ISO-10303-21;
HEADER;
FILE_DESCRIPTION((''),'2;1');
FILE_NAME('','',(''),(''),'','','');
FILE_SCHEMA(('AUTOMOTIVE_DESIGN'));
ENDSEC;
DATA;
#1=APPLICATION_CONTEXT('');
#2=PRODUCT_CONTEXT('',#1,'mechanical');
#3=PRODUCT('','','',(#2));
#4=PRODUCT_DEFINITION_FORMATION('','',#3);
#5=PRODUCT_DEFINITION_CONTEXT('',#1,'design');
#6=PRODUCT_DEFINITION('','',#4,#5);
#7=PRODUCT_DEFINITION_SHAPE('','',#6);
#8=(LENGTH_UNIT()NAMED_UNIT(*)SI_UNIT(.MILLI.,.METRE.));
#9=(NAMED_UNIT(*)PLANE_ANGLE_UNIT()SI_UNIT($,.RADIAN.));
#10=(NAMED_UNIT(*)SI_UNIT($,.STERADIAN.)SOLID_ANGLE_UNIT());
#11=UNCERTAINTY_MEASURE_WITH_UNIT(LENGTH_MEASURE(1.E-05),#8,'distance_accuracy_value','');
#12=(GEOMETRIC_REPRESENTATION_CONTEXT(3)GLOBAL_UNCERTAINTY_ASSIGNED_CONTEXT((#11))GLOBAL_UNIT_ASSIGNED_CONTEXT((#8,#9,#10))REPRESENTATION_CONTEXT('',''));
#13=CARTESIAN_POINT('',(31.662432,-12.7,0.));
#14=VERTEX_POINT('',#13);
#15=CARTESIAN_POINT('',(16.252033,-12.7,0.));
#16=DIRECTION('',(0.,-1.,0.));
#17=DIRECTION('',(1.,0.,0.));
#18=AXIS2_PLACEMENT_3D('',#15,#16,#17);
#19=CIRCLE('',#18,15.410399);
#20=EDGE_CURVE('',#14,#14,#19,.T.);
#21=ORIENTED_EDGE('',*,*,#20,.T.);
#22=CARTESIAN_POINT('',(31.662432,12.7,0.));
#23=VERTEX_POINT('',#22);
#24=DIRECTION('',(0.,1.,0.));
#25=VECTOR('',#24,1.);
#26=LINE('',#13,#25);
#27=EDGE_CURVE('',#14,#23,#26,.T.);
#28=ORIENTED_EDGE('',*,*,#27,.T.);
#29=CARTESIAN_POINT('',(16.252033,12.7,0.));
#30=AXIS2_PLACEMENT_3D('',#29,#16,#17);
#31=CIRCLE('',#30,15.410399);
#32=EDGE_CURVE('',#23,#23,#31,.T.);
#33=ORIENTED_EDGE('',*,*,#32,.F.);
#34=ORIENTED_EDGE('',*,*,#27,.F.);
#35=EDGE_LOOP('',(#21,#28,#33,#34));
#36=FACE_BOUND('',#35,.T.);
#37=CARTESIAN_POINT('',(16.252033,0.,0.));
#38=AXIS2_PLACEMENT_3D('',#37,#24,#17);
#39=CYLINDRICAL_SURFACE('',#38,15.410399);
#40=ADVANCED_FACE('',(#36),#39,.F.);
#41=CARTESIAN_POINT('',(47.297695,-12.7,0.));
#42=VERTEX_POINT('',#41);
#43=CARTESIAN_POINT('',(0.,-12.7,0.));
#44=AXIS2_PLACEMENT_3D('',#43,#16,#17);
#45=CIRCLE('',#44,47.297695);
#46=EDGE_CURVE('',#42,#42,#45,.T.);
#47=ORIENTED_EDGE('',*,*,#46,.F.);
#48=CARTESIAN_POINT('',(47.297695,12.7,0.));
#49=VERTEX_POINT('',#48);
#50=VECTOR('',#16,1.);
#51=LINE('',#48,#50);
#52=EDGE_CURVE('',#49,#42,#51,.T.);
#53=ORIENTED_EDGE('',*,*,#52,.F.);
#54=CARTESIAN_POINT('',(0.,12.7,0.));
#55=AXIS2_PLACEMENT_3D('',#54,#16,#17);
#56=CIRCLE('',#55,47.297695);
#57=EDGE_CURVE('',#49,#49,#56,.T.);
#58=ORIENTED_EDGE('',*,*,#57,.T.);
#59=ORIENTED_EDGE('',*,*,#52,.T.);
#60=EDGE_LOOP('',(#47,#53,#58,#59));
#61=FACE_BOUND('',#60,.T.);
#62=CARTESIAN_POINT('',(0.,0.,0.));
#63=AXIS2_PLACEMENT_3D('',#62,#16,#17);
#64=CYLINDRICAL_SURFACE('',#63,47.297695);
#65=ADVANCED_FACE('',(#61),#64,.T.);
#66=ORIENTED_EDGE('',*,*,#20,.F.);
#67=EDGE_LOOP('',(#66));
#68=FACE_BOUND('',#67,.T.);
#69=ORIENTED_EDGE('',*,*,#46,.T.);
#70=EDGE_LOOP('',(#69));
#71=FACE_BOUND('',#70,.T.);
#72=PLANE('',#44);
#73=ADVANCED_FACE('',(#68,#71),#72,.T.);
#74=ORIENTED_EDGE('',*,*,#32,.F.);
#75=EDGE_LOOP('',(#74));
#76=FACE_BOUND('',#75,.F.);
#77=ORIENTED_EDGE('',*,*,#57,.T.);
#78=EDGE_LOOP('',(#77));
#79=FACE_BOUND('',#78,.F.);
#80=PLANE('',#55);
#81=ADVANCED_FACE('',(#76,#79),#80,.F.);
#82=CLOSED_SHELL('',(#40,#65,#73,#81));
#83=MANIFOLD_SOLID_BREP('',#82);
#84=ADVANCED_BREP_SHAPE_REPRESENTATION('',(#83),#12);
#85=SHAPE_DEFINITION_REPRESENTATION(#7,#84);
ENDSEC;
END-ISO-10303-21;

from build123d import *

# Parameters (mm, degrees)
F0_R     = 47.297695
F0_R_2   = 15.410399
F1_DEPTH = 12.7


with BuildPart() as f1:
    # F0 (on Front) → F1 (new body, symmetric)
    with BuildSketch(Plane.XZ):
        Circle(F0_R)
        with Locations((16.252033, 0)):
            Circle(F0_R_2, mode=Mode.SUBTRACT)
    extrude(amount=F1_DEPTH, both=True)


solid = f1.part
